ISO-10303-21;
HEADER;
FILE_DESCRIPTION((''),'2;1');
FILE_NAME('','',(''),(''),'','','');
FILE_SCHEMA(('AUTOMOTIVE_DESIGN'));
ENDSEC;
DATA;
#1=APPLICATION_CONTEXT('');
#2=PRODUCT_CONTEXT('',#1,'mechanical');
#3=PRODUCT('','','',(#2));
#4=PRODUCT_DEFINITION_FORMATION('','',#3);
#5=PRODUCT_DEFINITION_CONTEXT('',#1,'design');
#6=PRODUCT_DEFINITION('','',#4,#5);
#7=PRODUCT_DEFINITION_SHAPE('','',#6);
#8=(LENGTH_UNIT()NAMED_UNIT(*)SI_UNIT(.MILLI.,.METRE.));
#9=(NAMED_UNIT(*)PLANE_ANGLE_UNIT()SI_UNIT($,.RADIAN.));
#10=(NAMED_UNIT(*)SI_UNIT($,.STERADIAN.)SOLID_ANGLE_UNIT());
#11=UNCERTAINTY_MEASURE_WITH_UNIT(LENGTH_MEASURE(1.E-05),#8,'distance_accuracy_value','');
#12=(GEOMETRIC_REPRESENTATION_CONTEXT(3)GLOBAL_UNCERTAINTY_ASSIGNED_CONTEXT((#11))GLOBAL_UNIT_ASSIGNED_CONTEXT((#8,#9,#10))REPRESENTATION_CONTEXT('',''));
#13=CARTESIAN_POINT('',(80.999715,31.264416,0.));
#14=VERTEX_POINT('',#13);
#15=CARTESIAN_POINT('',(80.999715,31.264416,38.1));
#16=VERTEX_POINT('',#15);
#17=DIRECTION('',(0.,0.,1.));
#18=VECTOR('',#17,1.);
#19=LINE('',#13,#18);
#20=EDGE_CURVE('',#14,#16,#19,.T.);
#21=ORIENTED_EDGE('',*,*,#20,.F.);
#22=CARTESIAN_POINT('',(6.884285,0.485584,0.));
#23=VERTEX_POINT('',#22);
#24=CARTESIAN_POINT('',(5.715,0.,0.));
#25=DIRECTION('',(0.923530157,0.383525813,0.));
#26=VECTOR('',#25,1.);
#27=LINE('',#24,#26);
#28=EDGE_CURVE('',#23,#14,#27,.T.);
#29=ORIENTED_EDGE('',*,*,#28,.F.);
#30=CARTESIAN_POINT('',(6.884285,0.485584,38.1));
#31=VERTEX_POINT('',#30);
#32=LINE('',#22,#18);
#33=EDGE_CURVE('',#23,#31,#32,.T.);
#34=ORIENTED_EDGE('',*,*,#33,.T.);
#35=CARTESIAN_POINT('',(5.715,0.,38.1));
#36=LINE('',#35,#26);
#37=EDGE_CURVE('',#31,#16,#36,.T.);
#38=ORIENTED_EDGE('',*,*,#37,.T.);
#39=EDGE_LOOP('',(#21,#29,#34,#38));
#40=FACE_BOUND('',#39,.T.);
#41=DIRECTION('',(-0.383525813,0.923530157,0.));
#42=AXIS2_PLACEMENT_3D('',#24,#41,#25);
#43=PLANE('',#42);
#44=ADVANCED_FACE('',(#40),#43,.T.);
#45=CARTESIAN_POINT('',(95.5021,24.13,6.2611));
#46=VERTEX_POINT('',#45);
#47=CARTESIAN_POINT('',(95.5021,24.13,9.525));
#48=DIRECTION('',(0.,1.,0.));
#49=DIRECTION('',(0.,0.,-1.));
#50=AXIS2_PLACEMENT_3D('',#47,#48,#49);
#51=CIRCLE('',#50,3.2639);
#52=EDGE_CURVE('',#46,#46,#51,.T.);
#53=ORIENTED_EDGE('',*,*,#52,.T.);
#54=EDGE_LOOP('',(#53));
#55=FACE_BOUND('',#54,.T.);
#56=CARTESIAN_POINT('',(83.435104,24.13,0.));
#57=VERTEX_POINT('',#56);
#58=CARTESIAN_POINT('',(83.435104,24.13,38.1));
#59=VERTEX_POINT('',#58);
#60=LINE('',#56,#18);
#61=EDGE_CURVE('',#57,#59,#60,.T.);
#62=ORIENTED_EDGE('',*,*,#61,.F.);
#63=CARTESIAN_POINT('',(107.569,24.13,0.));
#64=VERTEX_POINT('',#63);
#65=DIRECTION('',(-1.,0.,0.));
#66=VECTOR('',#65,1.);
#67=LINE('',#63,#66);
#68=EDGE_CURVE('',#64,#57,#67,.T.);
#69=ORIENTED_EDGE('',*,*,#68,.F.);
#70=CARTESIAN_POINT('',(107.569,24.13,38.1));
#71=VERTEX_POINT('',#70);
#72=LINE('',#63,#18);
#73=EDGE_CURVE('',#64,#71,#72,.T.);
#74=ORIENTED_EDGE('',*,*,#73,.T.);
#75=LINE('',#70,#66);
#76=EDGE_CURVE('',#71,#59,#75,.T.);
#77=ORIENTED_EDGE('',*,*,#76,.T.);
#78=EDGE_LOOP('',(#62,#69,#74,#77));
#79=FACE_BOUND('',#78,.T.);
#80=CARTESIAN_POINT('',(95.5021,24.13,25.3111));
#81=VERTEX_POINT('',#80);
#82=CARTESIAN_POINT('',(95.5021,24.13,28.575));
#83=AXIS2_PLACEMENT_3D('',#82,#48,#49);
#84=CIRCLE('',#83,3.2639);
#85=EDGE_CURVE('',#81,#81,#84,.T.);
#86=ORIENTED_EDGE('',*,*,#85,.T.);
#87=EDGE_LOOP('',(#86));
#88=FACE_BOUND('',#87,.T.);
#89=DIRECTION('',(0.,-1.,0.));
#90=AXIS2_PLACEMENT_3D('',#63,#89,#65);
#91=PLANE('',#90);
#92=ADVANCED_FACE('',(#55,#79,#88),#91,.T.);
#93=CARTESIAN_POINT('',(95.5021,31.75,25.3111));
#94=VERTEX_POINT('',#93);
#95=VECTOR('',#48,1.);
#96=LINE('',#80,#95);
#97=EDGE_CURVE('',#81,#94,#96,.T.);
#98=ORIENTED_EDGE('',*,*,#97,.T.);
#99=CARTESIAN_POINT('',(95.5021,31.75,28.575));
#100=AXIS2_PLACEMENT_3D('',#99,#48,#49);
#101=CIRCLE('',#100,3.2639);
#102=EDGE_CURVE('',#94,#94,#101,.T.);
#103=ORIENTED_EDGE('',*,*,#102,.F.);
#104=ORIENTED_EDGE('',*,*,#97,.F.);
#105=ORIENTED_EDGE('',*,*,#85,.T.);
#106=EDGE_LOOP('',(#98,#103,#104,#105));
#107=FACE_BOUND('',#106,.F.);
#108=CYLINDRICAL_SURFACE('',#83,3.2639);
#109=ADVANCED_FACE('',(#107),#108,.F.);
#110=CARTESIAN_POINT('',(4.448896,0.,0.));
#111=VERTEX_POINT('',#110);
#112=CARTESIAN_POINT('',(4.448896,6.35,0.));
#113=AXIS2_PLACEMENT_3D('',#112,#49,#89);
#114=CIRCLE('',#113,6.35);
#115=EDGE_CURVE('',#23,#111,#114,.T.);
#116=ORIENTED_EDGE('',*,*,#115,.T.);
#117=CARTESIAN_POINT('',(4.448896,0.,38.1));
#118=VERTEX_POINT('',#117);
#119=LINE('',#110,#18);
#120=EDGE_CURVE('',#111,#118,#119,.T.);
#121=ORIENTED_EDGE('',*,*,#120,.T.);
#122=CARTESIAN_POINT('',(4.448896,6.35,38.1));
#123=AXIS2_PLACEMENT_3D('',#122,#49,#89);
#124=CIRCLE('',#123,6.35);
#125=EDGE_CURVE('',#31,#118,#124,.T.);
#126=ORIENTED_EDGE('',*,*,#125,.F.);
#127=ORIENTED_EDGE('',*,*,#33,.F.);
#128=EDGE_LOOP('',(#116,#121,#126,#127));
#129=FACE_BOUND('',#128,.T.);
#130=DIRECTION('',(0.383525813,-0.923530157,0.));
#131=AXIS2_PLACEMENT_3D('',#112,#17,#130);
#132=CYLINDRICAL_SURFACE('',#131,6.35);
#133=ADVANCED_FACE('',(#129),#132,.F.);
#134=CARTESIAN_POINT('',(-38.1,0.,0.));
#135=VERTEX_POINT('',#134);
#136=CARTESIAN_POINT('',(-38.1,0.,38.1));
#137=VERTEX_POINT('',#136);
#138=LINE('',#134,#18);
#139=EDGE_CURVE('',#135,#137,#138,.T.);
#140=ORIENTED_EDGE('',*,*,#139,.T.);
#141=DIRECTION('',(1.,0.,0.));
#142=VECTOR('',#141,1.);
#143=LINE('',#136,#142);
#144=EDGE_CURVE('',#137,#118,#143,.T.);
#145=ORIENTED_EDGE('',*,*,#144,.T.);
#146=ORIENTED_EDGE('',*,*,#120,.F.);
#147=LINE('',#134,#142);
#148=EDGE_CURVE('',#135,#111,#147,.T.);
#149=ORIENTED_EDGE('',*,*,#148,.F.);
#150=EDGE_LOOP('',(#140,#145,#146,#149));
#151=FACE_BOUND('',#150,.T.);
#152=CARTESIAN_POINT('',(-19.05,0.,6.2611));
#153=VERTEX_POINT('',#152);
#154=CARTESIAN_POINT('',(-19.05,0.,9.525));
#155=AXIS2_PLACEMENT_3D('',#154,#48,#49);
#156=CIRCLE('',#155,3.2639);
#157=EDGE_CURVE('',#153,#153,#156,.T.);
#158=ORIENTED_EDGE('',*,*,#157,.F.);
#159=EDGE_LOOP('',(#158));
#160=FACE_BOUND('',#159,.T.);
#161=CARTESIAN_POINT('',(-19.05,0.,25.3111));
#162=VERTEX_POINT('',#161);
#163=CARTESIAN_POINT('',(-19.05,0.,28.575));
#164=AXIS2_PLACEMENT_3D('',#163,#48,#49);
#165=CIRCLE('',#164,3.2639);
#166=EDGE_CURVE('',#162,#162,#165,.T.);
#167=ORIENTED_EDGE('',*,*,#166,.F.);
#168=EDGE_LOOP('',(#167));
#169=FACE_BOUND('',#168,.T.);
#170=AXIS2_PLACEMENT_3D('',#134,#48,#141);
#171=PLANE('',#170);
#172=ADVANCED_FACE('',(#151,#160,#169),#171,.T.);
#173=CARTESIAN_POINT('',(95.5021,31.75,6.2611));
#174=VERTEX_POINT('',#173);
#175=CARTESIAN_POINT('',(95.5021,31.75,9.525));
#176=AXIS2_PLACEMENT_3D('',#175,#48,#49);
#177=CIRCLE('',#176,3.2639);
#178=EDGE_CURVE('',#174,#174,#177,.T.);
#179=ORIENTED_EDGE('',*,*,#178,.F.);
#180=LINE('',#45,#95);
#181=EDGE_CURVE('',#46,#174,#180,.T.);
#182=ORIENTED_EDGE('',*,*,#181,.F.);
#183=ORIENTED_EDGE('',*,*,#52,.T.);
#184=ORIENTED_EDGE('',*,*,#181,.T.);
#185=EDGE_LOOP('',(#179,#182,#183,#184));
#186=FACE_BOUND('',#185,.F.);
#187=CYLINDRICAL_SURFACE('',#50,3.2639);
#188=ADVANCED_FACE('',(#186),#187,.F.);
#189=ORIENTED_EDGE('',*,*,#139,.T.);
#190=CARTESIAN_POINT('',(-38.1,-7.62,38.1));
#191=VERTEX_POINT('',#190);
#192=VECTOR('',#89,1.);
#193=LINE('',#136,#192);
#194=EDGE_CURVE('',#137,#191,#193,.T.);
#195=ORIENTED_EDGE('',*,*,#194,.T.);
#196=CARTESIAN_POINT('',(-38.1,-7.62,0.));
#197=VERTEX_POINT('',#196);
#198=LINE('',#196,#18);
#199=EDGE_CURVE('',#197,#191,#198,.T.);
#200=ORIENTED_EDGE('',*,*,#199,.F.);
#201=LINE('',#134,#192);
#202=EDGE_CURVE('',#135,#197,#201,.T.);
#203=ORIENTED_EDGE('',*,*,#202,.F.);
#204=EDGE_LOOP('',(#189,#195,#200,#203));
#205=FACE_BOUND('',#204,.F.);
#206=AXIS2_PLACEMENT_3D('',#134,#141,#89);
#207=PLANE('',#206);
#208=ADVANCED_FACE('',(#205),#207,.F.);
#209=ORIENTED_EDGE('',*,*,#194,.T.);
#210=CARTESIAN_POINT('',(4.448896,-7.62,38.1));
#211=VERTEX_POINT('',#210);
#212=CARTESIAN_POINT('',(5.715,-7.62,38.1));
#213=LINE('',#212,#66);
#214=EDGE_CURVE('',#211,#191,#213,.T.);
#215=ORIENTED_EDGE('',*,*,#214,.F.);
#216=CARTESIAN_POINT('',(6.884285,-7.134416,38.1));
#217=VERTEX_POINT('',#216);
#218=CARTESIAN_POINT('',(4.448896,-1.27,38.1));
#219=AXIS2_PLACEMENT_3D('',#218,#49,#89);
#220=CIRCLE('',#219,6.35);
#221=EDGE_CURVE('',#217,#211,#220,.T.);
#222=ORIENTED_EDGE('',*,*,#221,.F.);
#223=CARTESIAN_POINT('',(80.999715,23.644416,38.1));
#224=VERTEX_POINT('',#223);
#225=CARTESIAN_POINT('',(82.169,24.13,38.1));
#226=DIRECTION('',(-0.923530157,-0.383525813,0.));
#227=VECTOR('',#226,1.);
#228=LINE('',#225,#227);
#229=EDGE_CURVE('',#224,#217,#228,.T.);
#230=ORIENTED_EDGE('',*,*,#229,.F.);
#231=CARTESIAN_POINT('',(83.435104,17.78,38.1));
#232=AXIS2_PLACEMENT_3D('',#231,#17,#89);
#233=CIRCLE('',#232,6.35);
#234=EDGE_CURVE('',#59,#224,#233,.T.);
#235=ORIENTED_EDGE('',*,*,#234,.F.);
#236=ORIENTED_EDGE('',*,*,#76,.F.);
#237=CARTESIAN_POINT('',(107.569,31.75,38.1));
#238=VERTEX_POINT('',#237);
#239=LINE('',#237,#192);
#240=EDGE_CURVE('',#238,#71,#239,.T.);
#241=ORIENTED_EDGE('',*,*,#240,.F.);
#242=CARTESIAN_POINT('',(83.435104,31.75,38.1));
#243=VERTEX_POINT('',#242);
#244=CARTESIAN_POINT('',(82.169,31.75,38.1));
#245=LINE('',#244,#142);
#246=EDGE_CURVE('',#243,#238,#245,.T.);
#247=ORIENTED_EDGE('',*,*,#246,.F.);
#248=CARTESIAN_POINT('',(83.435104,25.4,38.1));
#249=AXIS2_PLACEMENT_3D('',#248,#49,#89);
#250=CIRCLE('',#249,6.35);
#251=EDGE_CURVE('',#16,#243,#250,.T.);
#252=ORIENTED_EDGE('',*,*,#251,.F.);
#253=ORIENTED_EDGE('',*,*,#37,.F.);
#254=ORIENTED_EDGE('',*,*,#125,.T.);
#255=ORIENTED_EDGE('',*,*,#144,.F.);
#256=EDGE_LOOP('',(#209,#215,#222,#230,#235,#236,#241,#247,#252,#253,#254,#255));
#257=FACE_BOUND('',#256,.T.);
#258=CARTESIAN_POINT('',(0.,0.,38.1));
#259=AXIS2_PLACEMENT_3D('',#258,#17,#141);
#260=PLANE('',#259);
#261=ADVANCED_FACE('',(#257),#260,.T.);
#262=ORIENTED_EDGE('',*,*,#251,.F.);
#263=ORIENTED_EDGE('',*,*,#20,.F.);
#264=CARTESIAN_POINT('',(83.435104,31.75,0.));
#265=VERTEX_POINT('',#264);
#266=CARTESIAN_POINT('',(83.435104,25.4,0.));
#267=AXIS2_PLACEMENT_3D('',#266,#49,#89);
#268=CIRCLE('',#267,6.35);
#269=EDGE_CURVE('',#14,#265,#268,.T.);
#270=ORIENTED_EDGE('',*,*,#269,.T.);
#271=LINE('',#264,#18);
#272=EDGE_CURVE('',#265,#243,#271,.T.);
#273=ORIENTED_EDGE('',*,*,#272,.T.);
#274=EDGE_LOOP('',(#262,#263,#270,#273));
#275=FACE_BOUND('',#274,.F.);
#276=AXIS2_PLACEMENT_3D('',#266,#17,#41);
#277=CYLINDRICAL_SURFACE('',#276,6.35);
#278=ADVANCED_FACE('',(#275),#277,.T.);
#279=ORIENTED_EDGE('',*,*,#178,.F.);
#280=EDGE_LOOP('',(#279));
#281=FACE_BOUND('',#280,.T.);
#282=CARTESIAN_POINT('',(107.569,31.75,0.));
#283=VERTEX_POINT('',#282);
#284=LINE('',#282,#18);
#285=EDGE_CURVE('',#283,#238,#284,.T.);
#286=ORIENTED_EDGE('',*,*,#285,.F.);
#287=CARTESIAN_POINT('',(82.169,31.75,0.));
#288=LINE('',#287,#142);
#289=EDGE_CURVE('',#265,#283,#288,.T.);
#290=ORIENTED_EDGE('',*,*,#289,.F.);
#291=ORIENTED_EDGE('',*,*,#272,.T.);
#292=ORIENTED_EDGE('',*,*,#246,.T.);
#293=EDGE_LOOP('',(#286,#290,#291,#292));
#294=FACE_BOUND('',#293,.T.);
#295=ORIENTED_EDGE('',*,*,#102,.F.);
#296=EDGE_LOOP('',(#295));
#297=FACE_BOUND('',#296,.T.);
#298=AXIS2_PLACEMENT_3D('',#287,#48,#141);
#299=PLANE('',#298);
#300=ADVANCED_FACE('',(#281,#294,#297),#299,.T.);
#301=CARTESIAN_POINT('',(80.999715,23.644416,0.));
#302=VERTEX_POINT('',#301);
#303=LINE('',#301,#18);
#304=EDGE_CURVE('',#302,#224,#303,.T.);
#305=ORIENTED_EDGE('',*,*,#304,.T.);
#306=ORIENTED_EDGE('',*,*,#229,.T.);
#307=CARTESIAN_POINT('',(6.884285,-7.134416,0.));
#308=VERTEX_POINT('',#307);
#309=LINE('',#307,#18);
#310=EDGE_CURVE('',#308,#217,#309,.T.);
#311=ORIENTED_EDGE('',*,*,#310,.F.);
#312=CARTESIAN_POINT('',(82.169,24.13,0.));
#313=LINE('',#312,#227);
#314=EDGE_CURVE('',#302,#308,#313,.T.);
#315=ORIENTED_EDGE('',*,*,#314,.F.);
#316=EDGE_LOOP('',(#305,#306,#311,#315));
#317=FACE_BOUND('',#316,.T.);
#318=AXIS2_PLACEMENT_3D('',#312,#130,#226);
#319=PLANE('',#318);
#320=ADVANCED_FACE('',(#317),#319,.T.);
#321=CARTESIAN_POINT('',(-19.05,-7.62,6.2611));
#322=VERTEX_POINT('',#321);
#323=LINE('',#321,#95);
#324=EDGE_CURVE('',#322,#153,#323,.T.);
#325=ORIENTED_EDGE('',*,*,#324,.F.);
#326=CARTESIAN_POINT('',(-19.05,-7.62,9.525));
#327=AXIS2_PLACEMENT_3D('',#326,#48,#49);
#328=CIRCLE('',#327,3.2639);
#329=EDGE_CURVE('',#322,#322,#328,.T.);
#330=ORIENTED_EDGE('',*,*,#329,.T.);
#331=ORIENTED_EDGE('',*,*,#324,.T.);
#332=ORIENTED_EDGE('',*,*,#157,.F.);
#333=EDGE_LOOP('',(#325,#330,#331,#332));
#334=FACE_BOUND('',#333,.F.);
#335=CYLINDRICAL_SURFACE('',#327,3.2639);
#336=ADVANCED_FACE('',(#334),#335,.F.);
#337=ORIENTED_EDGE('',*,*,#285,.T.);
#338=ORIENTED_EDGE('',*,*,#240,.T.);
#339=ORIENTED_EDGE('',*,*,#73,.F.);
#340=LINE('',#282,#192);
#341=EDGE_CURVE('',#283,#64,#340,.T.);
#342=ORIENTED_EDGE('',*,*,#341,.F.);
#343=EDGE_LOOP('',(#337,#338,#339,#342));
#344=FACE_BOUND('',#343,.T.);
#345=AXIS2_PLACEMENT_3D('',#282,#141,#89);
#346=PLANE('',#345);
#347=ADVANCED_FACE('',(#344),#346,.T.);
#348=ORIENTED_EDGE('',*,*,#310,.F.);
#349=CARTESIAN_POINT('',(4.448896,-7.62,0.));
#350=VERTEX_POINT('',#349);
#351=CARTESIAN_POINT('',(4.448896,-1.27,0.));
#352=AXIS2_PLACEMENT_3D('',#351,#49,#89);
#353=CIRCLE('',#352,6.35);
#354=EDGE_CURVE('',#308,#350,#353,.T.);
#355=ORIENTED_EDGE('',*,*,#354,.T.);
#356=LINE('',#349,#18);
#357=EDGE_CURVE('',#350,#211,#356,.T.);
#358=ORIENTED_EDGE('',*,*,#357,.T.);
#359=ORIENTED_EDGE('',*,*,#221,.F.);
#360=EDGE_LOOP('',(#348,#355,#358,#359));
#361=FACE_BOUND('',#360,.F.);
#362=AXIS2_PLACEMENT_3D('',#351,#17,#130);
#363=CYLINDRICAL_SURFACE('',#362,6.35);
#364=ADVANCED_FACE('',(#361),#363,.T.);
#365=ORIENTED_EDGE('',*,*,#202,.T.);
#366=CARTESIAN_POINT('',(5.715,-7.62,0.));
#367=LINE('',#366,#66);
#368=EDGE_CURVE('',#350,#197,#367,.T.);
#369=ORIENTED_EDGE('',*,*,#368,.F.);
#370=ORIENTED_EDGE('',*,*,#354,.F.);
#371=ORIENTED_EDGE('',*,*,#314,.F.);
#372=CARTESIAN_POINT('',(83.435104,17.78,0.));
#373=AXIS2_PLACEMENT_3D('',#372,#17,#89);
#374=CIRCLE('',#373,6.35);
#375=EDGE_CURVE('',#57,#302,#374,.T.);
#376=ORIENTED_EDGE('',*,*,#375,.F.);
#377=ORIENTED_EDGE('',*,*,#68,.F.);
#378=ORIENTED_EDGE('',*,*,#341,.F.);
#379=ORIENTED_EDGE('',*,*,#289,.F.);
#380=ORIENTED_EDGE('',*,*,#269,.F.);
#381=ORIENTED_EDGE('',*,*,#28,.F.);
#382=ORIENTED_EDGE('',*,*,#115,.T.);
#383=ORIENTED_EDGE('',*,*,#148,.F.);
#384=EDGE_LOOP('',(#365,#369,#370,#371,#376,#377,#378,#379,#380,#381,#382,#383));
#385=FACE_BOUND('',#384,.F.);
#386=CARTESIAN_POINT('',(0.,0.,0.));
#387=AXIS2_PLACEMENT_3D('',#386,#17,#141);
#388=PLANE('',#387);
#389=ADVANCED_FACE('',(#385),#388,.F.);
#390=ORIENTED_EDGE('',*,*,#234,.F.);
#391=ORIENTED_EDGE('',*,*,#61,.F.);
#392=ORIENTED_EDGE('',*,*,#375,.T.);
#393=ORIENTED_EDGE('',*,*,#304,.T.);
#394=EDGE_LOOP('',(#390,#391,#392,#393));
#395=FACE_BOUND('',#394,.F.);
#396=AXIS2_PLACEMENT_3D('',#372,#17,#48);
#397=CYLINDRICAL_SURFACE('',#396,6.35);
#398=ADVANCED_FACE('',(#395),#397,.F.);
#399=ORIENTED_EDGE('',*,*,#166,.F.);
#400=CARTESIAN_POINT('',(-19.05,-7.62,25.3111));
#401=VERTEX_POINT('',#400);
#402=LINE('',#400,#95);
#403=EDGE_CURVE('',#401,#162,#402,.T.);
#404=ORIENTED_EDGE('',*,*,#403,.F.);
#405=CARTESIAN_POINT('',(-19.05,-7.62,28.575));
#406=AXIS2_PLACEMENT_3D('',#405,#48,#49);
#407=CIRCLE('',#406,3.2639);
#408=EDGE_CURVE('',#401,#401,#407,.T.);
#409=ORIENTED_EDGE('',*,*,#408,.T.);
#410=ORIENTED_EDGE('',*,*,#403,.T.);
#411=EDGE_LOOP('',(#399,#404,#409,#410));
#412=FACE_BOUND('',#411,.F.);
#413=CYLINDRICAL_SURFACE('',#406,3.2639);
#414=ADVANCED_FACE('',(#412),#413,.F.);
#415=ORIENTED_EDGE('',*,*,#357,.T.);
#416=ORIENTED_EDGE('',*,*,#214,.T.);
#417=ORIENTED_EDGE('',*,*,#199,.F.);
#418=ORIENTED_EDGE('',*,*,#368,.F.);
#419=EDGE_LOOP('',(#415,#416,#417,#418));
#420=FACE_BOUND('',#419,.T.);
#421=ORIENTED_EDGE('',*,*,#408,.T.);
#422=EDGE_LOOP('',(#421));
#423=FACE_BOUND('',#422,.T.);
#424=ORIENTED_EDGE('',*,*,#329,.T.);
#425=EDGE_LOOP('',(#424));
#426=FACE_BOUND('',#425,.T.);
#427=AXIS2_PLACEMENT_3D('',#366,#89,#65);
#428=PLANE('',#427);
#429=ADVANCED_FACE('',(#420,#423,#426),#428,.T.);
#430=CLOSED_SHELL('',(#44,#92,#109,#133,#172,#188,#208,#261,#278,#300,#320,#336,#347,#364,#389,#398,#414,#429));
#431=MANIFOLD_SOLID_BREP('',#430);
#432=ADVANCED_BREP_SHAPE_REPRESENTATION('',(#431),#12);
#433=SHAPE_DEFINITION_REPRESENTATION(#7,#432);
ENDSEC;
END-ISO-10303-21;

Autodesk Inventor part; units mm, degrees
ref_plane "YZ Plane" through (0, 0, 0) normal (1, 0, 0) x (0, 1, 0)
ref_plane "XZ Plane" through (0, 0, 0) normal (0, 1, 0) x (-1, 0, 0)
ref_plane "XY Plane" through (0, 0, 0) normal (0, 0, 1) x (1, 0, 0)
sketch "Sketch1" plane through (0, 0, 0) normal (0, 0, 1) x (1, 0, 0)
  line L0 (5.715, 0) -> (82.169, 31.75)
  line L1 (82.169, 31.75) -> (107.569, 31.75)
  line L2 (107.569, 31.75) -> (107.569, 24.13)
  line L3 (107.569, 24.13) -> (82.169, 24.13)
  line L4 (82.169, 24.13) -> (5.715, -7.62)
  line L5 (5.715, -7.62) -> (-38.1, -7.62)
  line L6 (-38.1, 0) -> (-38.1, -7.62)
  line L7 (-38.1, 0) -> (5.715, 0)
  point P0 (0, 0)
  dimension "d8" = 7.62
  dimension "d9" = 7.62
  dimension "d13" = 145.669
  dimension "d21" = 38.1
  dimension "d22" = 5.715
  dimension "d23" = 43.815
  dimension "d24" = 76.454
  dimension "d25" = 25.4
  dimension "d26" = 7.62
  dimension "d49" = 31.75
extrude "Extrusion1" add sketch "Sketch1" along normal blind 38.1
fillet "Fillet1" radius 6.35 4 edges at (5.715, -7.62, 19.05) (5.715, 0, 19.05) (82.169, 31.75, 19.05) (82.169, 24.13, 19.05)
sketch "Sketch2" plane through (107.569, 24.13, 0) normal (0, -1, 0) x (1, 0, 0)
  line L0 (-24.1339, 0) -> (-24.1339, 38.1) projected
  line L1 (-24.1339, 0) -> (0, 0) projected
  line L2 (0, 0) -> (0, 38.1) projected
  line L3 (-24.1339, 38.1) -> (0, 38.1) projected
  line L4 (-12.0669, 38.1) -> (-12.0669, 0) construction
  line L5 (0, 19.05) -> (-24.1339, 19.05) construction
  point P0 (-107.569, 0)
  point P1 (-12.0669, 9.525)
  point P2 (-12.0669, 28.575)
  dimension "d30" = 9.525
  dimension "d31" = 9.525
sketch "Sketch3" plane through (-38.1, -7.62, 0) normal (0, -1, 0) x (1, 0, 0)
  line L0 (0, 38.1) -> (42.5489, 38.1) projected
  line L1 (0, 0) -> (0, 38.1) projected
  line L2 (0, 0) -> (42.5489, 0) projected
  line L3 (19.05, 38.1) -> (19.05, 0)
  point P0 (38.1, 0)
  point P1 (19.05, 28.575)
  point P2 (19.05, 9.525)
  dimension "d32" = 19.05
  dimension "d33" = 9.525
  dimension "d34" = 9.525
hole "Hole1" at (95.5021, 24.13, 28.575) at (95.5021, 24.13, 9.525) direction (0, 1, 0) diameter 6.5278 end through all clearance for "Flat Head Machine Screw (82)" size "1/4" standard "Ansi Unified Screw Threads"
hole "Hole2" at (-19.05, -7.62, 28.575) at (-19.05, -7.62, 9.525) direction (0, 1, 0) diameter 6.5278 end through all clearance for "Flat Head Machine Screw (82)" size "1/4" standard "Ansi Unified Screw Threads"
equation "\"d31\" = d30"
equation "\"d34\" = d33"
properties part number "Y_shaft_support_brace_B" material "Aluminum 6061"
